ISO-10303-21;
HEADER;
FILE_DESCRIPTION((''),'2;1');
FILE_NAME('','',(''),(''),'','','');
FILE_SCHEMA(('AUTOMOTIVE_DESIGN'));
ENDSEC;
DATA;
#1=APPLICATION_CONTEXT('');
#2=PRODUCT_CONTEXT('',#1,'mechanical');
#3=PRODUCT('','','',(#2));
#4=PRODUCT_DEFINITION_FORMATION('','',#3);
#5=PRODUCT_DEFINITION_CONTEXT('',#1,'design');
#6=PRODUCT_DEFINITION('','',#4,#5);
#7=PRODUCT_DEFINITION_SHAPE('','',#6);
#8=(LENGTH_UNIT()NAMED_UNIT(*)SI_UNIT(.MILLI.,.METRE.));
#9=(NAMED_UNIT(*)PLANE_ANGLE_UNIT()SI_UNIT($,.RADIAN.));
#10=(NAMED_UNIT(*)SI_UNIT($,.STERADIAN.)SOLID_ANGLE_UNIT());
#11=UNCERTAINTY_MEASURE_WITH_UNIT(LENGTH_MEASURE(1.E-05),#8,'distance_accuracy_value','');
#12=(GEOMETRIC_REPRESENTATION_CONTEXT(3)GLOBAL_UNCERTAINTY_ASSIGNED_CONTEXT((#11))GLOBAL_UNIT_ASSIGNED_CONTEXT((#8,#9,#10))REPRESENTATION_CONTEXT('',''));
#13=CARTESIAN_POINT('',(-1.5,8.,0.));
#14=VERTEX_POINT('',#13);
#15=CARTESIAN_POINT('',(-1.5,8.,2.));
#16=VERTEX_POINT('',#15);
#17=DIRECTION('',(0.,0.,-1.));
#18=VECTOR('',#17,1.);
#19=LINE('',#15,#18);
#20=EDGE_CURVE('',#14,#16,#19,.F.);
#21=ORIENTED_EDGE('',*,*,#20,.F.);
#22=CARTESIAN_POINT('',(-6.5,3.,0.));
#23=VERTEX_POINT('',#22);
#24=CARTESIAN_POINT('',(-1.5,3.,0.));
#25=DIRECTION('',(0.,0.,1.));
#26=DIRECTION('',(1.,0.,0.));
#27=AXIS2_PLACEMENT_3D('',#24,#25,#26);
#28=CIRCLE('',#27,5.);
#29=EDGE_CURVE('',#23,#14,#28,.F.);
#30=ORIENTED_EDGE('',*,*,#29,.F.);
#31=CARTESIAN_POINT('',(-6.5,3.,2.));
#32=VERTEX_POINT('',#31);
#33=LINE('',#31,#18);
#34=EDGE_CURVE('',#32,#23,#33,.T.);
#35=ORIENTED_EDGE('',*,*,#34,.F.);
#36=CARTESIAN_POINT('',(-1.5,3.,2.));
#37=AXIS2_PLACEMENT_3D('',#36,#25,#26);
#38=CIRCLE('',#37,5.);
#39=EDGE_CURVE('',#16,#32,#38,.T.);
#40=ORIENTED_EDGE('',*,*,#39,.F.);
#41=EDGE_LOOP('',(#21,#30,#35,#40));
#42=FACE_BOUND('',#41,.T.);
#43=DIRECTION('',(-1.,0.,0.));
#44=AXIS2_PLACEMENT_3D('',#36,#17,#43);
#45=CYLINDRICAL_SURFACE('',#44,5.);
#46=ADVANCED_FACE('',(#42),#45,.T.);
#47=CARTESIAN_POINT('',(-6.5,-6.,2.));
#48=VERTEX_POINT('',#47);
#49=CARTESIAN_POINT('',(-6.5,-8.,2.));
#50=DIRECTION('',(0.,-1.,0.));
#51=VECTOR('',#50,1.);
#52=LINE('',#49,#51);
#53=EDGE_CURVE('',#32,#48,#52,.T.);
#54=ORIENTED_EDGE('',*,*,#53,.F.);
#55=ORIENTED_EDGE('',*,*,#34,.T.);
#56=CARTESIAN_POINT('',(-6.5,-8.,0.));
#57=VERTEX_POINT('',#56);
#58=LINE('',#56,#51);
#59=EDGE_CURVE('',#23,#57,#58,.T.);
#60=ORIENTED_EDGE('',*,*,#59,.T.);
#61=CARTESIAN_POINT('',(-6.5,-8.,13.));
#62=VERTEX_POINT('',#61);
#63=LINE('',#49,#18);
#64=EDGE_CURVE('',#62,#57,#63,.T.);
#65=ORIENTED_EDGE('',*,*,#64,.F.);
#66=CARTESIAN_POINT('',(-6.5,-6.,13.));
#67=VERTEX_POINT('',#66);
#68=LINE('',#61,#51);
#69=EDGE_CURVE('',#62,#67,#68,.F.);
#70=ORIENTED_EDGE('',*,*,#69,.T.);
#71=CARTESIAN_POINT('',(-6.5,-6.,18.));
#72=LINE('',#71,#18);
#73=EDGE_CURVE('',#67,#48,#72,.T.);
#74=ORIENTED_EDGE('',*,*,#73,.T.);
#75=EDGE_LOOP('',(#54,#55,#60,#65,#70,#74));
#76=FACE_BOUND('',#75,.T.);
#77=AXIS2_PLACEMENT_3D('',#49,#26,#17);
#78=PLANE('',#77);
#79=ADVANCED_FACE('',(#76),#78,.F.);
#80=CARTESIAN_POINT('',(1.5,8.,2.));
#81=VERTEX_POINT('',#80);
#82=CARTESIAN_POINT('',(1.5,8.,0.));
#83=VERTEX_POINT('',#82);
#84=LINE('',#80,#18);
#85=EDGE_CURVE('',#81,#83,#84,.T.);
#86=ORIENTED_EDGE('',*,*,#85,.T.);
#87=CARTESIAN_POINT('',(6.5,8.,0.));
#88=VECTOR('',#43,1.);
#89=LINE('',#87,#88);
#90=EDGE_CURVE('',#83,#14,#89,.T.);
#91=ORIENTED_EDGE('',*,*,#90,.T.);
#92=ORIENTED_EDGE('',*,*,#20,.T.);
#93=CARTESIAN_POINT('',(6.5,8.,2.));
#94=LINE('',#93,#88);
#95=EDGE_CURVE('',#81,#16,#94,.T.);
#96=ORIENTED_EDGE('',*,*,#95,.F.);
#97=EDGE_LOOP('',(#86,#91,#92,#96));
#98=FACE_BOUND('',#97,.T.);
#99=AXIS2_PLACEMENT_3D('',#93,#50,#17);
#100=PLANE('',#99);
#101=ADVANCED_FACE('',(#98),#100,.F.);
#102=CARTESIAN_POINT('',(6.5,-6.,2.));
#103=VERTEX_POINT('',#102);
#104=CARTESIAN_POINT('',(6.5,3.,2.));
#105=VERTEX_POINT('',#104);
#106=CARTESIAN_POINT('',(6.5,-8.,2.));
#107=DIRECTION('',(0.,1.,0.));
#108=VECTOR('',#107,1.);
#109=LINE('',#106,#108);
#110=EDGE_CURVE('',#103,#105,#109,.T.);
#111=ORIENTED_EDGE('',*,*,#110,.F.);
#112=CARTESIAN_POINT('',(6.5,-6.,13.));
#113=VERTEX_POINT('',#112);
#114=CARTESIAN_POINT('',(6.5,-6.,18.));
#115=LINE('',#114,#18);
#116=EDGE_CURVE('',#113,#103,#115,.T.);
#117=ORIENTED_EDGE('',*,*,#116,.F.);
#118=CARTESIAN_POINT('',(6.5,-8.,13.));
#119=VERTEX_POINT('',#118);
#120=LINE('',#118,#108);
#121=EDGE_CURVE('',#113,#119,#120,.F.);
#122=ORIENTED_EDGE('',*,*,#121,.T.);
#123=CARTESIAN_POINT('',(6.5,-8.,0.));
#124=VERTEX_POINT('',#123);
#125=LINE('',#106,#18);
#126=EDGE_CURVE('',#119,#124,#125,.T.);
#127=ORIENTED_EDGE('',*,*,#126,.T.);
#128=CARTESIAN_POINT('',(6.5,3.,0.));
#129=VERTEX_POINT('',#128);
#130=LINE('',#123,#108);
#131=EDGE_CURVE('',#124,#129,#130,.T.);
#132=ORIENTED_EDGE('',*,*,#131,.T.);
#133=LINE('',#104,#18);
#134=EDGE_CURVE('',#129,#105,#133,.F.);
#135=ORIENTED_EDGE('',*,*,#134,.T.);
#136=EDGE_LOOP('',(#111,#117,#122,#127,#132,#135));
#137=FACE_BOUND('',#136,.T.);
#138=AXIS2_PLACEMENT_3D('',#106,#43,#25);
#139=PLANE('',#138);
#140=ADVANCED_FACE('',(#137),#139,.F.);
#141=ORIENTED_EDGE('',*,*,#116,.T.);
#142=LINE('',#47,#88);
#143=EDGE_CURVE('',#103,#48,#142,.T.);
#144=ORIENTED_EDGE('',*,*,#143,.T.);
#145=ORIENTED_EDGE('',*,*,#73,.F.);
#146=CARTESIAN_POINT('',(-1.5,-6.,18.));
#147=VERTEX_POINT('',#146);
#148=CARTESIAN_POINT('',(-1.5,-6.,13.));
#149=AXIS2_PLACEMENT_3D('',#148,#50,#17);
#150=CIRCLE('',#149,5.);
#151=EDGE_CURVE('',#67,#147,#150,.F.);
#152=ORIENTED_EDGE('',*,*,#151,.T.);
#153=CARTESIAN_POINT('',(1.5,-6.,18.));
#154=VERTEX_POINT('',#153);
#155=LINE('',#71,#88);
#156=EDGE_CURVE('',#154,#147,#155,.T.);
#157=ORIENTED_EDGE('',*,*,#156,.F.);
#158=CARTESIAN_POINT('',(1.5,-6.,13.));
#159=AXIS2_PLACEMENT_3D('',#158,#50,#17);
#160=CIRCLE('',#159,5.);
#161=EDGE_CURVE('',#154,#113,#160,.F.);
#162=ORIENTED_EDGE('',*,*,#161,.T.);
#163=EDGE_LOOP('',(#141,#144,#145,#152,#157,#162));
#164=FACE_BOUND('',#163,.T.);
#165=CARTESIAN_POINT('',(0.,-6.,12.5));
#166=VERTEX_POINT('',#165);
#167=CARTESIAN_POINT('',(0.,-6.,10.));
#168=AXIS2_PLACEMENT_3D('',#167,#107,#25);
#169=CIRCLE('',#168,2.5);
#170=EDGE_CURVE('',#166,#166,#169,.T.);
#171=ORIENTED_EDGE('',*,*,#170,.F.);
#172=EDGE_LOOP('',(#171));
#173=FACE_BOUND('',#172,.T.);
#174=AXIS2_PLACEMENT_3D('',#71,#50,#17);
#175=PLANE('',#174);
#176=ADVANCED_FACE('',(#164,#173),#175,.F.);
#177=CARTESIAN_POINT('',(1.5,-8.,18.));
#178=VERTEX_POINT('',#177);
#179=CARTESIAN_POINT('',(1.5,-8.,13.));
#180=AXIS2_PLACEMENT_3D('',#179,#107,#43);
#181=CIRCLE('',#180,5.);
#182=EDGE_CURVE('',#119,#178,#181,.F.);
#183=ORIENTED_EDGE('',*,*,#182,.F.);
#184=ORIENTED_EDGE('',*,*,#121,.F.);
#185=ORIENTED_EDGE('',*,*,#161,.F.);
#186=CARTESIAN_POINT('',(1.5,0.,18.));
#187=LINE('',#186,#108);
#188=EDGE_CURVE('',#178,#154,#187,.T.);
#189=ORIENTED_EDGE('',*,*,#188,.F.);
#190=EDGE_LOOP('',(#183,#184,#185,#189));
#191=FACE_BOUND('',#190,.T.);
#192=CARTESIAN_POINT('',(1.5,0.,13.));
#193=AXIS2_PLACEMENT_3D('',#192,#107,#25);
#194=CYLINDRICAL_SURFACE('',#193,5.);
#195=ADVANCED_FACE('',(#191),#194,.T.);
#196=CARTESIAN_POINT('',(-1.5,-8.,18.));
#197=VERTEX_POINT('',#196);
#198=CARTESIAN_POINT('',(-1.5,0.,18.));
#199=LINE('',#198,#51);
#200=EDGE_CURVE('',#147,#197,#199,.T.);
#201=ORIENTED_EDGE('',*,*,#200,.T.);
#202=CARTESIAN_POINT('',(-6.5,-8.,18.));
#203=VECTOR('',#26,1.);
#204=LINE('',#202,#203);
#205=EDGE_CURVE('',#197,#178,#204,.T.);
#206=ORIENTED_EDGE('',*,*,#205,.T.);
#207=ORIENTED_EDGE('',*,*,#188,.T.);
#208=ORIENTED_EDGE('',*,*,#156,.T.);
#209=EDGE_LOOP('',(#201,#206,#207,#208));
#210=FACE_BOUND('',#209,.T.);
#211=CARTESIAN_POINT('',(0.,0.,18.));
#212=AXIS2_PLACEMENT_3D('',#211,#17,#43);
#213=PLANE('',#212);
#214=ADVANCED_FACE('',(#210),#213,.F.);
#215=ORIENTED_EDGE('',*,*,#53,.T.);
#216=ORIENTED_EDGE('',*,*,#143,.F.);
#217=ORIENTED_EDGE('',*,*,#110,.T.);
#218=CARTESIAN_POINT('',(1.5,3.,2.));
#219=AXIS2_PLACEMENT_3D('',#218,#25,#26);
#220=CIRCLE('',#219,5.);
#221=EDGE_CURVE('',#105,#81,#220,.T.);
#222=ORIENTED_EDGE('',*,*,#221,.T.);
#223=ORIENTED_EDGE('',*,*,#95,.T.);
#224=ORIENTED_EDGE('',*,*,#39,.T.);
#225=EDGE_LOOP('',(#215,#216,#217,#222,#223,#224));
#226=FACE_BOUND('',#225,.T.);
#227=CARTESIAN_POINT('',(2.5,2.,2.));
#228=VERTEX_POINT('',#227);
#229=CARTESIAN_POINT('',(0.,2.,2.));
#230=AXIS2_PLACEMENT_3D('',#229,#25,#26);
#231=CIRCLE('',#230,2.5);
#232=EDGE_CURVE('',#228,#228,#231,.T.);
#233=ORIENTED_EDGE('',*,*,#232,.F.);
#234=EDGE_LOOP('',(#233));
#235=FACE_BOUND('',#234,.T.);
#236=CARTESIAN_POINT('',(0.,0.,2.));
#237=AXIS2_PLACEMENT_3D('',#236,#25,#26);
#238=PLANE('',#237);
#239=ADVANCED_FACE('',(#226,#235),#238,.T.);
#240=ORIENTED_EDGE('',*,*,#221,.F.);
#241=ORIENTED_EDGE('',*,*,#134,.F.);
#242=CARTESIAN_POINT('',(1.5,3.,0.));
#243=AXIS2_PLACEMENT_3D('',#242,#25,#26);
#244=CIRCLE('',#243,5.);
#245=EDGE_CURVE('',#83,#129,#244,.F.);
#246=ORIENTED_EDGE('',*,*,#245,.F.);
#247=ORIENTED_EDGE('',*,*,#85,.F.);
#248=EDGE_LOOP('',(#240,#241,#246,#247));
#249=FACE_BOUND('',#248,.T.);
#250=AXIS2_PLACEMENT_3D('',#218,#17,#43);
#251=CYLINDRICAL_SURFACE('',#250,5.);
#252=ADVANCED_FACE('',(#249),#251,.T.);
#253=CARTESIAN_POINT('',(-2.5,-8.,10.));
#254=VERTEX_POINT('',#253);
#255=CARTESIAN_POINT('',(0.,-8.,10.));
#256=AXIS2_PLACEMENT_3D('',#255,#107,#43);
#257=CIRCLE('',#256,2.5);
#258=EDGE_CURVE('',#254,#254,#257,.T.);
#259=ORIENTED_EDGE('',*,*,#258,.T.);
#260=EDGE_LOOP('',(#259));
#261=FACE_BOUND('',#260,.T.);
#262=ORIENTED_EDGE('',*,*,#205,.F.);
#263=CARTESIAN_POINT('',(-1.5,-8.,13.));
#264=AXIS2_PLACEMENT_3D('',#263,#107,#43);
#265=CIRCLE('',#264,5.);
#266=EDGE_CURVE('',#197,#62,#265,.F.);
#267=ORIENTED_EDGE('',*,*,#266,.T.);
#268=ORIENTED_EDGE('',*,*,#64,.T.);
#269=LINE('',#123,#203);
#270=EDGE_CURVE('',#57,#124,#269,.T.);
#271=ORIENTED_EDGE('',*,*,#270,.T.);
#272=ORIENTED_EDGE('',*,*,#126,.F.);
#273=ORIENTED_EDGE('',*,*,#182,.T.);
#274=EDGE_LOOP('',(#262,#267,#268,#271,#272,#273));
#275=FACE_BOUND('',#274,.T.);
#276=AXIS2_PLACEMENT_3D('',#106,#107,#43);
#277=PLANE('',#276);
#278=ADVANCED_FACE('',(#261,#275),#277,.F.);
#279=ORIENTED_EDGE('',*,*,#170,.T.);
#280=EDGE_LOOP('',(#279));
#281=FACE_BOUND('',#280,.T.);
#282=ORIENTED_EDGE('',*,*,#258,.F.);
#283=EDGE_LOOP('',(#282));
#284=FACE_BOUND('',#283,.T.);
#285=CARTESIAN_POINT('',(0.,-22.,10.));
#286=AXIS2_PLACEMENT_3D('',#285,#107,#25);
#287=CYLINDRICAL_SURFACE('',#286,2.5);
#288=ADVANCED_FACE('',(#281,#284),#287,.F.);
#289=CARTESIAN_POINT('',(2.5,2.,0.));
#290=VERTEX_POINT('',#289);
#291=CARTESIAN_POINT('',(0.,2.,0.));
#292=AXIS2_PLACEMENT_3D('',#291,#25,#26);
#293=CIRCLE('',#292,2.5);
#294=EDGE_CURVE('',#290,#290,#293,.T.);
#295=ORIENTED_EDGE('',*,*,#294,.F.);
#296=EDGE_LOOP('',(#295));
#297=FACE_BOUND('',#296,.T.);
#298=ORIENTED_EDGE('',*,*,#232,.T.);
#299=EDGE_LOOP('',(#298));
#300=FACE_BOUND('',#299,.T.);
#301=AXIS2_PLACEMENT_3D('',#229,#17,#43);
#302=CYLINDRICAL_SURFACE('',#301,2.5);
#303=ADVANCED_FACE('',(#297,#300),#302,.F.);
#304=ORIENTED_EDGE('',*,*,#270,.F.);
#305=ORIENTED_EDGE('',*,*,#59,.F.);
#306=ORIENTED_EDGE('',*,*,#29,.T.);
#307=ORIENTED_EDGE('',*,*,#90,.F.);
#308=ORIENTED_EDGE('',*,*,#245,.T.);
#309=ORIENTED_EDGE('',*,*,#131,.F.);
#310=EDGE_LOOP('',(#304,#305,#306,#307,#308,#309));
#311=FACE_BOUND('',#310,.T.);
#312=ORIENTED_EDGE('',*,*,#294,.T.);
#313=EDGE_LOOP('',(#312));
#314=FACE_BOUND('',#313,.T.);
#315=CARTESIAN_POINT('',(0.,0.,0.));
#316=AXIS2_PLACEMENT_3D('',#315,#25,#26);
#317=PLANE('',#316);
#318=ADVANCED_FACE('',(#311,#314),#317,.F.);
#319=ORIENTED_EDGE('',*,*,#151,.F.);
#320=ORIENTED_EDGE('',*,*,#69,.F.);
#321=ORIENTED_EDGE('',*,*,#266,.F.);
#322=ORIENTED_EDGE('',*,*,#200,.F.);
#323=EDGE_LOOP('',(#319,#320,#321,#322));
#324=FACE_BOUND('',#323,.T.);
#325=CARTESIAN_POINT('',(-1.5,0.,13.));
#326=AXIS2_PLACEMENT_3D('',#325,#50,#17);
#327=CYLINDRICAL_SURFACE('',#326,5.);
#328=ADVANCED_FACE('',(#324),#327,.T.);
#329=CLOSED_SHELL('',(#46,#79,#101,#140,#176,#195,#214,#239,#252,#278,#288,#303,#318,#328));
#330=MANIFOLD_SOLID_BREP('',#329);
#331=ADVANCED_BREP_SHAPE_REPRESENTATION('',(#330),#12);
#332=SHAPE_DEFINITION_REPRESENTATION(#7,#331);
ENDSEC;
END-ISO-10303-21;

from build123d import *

# Parameters (mm, degrees)
SKETCH1_W           = 13
SKETCH1_H           = 16
SKETCH1_R           = 2.5
BOSS_EXTRUDE1_DEPTH = 2
FILLET1_R           = 5
SKETCH2_W           = 13
SKETCH2_H           = 2
BOSS_EXTRUDE2_DEPTH = 16
FILLET2_R           = 5
SKETCH3_R           = 2.5
CUT_EXTRUDE1_DEPTH  = 16


with BuildPart() as part:
    # Sketch1 → Boss-Extrude1 (new body)
    with BuildSketch(Plane.XY):
        Rectangle(SKETCH1_W, SKETCH1_H)
        with Locations((0, 2)):
            Circle(SKETCH1_R, mode=Mode.SUBTRACT)
    extrude(amount=BOSS_EXTRUDE1_DEPTH)

    # Fillet1
    fillet1_edges = [part.edges().sort_by_distance(p)[0] for p in [
        (-6.5, 8, 1),
        (6.5, 8, 1),
    ]]
    fillet(fillet1_edges, radius=FILLET1_R)

    # Sketch2 → Boss-Extrude2 (add)
    with BuildSketch(Plane.XY.offset(2)):
        with Locations((0, -7)):
            Rectangle(SKETCH2_W, SKETCH2_H)
    extrude(amount=BOSS_EXTRUDE2_DEPTH)

    # Fillet2
    fillet2_edges = [part.edges().sort_by_distance(p)[0] for p in [
        (-6.5, -7, 18),
        (6.5, -7, 18),
    ]]
    fillet(fillet2_edges, radius=FILLET2_R)

    # Sketch3 → Cut-Extrude1 (cut)
    with BuildSketch(Plane(origin=(0, -6, 0), x_dir=(1, 0, 0), z_dir=(0, 1, 0))):
        with Locations((0, -10)):
            Circle(SKETCH3_R)
    extrude(amount=-CUT_EXTRUDE1_DEPTH, mode=Mode.SUBTRACT)


solid = part.part
